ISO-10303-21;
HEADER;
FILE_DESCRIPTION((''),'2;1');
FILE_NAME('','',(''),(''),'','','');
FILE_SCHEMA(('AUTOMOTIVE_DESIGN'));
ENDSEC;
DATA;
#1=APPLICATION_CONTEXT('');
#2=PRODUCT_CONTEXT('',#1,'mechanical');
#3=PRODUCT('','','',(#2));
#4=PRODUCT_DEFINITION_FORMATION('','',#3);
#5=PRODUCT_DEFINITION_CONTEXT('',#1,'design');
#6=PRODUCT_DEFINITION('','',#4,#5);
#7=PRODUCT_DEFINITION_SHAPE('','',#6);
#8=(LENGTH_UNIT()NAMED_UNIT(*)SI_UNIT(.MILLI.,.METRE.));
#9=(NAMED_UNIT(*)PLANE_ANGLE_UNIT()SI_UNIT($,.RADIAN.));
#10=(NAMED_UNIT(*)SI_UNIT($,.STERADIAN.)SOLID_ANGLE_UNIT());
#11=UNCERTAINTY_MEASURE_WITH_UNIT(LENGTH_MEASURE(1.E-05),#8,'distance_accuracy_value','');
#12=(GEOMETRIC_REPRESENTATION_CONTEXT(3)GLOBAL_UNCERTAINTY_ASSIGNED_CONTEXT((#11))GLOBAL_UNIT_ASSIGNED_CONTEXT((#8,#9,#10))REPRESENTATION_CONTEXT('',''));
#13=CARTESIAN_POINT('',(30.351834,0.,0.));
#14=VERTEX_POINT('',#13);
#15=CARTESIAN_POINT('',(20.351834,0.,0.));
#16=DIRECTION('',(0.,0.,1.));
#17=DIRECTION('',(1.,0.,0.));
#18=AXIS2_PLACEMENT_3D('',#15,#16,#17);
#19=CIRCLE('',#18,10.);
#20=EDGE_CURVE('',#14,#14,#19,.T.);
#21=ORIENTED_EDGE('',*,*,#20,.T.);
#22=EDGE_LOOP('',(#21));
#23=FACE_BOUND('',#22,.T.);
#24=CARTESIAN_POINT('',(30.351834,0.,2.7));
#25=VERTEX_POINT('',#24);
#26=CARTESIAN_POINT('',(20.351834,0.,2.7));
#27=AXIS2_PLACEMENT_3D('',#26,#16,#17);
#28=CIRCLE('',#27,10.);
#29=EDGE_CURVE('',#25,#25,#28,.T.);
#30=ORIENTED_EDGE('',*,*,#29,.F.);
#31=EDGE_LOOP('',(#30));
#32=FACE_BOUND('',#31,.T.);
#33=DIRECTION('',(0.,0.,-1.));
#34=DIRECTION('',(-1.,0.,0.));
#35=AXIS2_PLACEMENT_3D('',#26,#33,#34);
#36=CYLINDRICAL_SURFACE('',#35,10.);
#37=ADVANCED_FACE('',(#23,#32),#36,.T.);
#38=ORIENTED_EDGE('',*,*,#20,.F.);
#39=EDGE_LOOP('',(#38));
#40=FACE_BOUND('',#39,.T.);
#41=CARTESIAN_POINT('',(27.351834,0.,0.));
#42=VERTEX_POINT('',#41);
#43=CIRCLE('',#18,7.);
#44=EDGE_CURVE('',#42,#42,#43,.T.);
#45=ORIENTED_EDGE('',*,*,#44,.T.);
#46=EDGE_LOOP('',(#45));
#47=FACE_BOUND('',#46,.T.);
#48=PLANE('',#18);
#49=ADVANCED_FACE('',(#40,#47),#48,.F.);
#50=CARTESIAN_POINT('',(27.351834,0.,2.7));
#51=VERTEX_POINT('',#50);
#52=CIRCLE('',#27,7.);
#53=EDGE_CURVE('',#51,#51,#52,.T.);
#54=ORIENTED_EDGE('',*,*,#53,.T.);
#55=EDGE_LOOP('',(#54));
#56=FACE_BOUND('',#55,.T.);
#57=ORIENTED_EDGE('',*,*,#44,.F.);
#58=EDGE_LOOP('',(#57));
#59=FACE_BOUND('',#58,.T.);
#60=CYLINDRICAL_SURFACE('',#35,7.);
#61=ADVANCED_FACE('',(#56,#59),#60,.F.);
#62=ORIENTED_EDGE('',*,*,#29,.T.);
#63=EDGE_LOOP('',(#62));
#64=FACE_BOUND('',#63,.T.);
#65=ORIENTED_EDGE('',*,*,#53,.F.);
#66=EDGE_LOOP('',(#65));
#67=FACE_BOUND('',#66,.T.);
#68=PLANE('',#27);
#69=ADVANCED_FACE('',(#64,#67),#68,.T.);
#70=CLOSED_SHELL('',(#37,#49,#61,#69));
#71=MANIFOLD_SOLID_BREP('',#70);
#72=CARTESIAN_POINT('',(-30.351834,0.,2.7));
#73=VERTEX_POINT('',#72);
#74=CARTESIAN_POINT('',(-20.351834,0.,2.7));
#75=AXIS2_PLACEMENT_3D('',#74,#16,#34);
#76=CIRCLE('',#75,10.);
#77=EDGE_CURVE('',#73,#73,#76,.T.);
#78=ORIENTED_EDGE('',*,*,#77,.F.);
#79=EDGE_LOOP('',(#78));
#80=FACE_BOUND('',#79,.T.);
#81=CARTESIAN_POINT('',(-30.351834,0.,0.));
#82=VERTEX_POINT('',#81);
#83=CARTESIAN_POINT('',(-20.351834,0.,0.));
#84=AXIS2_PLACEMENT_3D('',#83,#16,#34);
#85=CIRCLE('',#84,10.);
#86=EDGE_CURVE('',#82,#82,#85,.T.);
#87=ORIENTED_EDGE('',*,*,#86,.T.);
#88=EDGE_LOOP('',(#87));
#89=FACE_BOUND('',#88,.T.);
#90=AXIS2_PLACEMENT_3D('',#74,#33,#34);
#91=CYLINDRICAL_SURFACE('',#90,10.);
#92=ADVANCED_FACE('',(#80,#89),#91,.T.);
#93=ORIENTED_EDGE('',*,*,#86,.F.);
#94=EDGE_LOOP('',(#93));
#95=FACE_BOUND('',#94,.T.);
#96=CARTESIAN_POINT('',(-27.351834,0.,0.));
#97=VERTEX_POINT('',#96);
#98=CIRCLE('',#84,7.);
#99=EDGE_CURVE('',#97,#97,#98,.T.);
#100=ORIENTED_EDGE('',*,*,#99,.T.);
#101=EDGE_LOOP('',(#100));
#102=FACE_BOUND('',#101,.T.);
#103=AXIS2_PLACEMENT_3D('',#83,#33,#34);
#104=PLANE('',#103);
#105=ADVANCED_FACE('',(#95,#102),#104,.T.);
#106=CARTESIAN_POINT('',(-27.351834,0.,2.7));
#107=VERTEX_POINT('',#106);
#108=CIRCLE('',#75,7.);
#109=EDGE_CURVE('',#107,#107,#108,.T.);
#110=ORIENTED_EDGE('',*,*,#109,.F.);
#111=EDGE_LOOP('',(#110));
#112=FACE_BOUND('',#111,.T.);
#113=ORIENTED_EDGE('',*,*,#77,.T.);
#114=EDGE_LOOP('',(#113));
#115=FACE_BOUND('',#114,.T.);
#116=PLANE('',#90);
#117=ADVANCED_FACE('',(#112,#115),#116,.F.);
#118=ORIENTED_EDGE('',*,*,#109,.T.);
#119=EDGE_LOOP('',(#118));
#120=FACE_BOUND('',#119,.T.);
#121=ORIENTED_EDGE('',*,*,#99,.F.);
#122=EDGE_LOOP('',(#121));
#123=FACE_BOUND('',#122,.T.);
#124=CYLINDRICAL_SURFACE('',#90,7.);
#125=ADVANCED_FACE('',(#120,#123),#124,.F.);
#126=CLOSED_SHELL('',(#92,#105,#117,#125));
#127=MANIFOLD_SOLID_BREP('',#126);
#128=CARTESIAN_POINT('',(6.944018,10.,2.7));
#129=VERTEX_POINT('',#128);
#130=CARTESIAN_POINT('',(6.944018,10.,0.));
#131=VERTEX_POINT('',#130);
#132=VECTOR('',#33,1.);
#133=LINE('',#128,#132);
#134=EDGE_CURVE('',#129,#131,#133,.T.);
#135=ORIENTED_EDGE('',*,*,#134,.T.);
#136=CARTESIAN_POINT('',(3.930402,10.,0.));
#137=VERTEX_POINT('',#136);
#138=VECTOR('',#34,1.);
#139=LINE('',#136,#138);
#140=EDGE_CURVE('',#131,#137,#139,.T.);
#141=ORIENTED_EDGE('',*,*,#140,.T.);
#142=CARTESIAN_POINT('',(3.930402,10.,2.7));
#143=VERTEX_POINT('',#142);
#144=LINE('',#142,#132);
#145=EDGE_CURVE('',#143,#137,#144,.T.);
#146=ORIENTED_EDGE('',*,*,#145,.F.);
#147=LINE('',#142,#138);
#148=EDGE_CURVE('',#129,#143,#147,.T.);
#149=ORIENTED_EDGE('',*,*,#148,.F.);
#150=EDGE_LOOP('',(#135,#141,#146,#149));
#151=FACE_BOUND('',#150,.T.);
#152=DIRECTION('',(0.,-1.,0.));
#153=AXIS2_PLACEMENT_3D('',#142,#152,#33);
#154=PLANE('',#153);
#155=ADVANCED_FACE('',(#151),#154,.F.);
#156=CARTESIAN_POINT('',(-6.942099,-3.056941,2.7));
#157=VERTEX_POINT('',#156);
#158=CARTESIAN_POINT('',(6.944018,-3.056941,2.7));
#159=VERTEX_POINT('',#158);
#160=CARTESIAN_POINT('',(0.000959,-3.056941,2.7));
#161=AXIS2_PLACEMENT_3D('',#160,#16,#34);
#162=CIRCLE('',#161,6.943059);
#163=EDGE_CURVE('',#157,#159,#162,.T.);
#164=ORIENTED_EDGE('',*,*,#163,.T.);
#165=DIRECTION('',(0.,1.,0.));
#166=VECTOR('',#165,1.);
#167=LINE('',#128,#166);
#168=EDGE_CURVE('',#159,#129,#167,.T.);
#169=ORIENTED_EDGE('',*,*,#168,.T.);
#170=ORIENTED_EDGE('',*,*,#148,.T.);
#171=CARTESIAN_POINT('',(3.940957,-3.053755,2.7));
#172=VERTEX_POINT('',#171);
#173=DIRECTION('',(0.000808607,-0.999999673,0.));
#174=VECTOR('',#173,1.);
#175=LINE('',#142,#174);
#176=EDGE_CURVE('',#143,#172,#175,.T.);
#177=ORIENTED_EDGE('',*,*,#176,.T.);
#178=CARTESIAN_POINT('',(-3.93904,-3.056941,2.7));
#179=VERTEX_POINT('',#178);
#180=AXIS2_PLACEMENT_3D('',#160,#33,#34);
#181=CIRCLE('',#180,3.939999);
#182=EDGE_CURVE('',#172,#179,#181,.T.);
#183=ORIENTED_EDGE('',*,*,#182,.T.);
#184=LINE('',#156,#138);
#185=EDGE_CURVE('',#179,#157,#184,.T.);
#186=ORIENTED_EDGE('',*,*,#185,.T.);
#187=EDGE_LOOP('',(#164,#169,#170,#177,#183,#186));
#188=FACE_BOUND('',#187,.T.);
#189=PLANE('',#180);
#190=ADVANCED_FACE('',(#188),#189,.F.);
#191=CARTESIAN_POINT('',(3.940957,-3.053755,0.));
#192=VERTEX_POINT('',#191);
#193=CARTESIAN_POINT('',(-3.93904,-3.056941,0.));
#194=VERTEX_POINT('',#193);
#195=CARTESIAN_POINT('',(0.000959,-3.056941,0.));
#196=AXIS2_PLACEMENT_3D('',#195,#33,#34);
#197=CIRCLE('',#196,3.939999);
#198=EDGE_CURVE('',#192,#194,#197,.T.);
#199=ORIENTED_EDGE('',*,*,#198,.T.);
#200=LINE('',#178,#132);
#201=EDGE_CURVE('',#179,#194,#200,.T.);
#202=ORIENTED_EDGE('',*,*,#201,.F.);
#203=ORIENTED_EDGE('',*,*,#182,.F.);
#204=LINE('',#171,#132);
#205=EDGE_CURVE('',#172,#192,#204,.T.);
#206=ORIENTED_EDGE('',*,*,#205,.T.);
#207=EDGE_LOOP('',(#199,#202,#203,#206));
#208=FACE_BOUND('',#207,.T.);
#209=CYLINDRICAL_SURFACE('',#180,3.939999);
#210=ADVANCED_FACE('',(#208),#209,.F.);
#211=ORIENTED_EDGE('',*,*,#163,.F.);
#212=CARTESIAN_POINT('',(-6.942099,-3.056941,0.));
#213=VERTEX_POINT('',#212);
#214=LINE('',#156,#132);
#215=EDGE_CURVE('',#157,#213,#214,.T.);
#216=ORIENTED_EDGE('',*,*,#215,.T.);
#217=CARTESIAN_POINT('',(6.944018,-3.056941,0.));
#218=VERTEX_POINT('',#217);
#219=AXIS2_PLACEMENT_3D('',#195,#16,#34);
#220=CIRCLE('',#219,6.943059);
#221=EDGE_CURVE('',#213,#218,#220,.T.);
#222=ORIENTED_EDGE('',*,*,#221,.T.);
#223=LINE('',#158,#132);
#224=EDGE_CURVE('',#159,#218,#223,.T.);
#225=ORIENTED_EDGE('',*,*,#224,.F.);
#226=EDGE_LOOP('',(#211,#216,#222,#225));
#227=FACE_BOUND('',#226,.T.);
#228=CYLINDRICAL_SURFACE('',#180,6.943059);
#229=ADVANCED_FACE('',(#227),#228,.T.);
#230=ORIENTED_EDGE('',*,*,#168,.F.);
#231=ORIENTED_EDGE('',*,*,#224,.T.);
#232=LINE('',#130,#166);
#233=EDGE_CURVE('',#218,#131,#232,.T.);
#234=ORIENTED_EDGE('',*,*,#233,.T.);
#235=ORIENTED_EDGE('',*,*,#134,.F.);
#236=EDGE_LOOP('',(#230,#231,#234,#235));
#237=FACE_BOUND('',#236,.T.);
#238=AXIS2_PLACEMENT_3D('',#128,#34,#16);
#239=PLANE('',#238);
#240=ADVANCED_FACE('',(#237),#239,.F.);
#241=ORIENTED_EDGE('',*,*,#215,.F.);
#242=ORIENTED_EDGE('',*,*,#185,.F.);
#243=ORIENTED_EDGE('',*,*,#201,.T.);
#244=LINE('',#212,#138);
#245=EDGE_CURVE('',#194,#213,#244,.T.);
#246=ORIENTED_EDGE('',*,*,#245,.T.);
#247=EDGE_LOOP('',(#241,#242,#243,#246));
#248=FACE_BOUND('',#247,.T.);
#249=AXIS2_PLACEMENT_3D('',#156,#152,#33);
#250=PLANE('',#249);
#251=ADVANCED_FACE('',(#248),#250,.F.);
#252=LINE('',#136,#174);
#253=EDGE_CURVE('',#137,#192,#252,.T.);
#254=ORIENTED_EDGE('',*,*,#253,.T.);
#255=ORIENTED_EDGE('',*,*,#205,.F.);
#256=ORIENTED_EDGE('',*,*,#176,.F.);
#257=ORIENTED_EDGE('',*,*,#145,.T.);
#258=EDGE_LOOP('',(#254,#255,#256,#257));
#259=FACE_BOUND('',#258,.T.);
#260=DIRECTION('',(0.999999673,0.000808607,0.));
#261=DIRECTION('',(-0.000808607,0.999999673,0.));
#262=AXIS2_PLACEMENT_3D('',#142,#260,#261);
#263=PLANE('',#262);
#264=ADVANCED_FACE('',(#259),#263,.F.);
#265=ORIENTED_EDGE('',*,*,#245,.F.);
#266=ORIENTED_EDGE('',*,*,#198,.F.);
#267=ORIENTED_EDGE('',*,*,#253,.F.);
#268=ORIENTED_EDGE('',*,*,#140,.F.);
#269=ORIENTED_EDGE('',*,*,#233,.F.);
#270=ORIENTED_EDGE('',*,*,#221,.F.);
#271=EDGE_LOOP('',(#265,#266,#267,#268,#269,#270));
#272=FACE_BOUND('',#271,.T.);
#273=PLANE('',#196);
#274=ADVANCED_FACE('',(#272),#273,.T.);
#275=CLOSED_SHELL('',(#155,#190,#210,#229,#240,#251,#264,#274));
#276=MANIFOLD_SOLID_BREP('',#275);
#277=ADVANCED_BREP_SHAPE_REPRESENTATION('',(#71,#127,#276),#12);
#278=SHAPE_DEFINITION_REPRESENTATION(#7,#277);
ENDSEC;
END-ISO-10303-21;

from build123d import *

# Parameters (mm, degrees)
SKETCH2_R             = 10
SKETCH2_R_2           = 7
BOSS_EXTRUDE1_DEPTH   = 2.7
BOSS_EXTRUDE1_2_DEPTH = 2.7
BOSS_EXTRUDE1_3_DEPTH = 2.7


with BuildPart() as part:
    # Sketch2 → Boss-Extrude1 (new body)
    with BuildSketch(Plane.XY):
        with Locations((20.351834019, 0)):
            Circle(SKETCH2_R)
        with Locations((20.351834019, 0)):
            Circle(SKETCH2_R_2, mode=Mode.SUBTRACT)
    extrude(amount=BOSS_EXTRUDE1_DEPTH)


with BuildPart() as body_2:
    # Sketch2 → Boss-Extrude1 2 (new body)
    with BuildSketch(Plane.XY):
        with Locations((-20.351834019, 0)):
            Circle(SKETCH2_R)
        with Locations((-20.351834019, 0)):
            Circle(SKETCH2_R_2, mode=Mode.SUBTRACT)
    extrude(amount=BOSS_EXTRUDE1_2_DEPTH)


with BuildPart() as body_3:
    # Sketch2 → Boss-Extrude1 3 (new body)
    with BuildSketch(Plane.XY):
        with BuildLine():
            Line((3.93040203, 10.000000001), (6.944018143, 10.000000001))
            Line((6.944018143, 10.000000001), (6.944018143, -3.056941252))
            ThreePointArc((6.944018143, -3.056941252), (0.000959328, -10.000000066), (-6.942099487, -3.056941252))
            Line((-6.942099487, -3.056941252), (-3.939040028, -3.056941252))
            ThreePointArc((-3.939040028, -3.056941252), (0.002552284, -6.996940286), (3.940957396, -3.053755339))
            Line((3.940957396, -3.053755339), (3.93040203, 10.000000001))
        make_face()
    extrude(amount=BOSS_EXTRUDE1_3_DEPTH)


solid = Compound([part.part, body_2.part, body_3.part])
